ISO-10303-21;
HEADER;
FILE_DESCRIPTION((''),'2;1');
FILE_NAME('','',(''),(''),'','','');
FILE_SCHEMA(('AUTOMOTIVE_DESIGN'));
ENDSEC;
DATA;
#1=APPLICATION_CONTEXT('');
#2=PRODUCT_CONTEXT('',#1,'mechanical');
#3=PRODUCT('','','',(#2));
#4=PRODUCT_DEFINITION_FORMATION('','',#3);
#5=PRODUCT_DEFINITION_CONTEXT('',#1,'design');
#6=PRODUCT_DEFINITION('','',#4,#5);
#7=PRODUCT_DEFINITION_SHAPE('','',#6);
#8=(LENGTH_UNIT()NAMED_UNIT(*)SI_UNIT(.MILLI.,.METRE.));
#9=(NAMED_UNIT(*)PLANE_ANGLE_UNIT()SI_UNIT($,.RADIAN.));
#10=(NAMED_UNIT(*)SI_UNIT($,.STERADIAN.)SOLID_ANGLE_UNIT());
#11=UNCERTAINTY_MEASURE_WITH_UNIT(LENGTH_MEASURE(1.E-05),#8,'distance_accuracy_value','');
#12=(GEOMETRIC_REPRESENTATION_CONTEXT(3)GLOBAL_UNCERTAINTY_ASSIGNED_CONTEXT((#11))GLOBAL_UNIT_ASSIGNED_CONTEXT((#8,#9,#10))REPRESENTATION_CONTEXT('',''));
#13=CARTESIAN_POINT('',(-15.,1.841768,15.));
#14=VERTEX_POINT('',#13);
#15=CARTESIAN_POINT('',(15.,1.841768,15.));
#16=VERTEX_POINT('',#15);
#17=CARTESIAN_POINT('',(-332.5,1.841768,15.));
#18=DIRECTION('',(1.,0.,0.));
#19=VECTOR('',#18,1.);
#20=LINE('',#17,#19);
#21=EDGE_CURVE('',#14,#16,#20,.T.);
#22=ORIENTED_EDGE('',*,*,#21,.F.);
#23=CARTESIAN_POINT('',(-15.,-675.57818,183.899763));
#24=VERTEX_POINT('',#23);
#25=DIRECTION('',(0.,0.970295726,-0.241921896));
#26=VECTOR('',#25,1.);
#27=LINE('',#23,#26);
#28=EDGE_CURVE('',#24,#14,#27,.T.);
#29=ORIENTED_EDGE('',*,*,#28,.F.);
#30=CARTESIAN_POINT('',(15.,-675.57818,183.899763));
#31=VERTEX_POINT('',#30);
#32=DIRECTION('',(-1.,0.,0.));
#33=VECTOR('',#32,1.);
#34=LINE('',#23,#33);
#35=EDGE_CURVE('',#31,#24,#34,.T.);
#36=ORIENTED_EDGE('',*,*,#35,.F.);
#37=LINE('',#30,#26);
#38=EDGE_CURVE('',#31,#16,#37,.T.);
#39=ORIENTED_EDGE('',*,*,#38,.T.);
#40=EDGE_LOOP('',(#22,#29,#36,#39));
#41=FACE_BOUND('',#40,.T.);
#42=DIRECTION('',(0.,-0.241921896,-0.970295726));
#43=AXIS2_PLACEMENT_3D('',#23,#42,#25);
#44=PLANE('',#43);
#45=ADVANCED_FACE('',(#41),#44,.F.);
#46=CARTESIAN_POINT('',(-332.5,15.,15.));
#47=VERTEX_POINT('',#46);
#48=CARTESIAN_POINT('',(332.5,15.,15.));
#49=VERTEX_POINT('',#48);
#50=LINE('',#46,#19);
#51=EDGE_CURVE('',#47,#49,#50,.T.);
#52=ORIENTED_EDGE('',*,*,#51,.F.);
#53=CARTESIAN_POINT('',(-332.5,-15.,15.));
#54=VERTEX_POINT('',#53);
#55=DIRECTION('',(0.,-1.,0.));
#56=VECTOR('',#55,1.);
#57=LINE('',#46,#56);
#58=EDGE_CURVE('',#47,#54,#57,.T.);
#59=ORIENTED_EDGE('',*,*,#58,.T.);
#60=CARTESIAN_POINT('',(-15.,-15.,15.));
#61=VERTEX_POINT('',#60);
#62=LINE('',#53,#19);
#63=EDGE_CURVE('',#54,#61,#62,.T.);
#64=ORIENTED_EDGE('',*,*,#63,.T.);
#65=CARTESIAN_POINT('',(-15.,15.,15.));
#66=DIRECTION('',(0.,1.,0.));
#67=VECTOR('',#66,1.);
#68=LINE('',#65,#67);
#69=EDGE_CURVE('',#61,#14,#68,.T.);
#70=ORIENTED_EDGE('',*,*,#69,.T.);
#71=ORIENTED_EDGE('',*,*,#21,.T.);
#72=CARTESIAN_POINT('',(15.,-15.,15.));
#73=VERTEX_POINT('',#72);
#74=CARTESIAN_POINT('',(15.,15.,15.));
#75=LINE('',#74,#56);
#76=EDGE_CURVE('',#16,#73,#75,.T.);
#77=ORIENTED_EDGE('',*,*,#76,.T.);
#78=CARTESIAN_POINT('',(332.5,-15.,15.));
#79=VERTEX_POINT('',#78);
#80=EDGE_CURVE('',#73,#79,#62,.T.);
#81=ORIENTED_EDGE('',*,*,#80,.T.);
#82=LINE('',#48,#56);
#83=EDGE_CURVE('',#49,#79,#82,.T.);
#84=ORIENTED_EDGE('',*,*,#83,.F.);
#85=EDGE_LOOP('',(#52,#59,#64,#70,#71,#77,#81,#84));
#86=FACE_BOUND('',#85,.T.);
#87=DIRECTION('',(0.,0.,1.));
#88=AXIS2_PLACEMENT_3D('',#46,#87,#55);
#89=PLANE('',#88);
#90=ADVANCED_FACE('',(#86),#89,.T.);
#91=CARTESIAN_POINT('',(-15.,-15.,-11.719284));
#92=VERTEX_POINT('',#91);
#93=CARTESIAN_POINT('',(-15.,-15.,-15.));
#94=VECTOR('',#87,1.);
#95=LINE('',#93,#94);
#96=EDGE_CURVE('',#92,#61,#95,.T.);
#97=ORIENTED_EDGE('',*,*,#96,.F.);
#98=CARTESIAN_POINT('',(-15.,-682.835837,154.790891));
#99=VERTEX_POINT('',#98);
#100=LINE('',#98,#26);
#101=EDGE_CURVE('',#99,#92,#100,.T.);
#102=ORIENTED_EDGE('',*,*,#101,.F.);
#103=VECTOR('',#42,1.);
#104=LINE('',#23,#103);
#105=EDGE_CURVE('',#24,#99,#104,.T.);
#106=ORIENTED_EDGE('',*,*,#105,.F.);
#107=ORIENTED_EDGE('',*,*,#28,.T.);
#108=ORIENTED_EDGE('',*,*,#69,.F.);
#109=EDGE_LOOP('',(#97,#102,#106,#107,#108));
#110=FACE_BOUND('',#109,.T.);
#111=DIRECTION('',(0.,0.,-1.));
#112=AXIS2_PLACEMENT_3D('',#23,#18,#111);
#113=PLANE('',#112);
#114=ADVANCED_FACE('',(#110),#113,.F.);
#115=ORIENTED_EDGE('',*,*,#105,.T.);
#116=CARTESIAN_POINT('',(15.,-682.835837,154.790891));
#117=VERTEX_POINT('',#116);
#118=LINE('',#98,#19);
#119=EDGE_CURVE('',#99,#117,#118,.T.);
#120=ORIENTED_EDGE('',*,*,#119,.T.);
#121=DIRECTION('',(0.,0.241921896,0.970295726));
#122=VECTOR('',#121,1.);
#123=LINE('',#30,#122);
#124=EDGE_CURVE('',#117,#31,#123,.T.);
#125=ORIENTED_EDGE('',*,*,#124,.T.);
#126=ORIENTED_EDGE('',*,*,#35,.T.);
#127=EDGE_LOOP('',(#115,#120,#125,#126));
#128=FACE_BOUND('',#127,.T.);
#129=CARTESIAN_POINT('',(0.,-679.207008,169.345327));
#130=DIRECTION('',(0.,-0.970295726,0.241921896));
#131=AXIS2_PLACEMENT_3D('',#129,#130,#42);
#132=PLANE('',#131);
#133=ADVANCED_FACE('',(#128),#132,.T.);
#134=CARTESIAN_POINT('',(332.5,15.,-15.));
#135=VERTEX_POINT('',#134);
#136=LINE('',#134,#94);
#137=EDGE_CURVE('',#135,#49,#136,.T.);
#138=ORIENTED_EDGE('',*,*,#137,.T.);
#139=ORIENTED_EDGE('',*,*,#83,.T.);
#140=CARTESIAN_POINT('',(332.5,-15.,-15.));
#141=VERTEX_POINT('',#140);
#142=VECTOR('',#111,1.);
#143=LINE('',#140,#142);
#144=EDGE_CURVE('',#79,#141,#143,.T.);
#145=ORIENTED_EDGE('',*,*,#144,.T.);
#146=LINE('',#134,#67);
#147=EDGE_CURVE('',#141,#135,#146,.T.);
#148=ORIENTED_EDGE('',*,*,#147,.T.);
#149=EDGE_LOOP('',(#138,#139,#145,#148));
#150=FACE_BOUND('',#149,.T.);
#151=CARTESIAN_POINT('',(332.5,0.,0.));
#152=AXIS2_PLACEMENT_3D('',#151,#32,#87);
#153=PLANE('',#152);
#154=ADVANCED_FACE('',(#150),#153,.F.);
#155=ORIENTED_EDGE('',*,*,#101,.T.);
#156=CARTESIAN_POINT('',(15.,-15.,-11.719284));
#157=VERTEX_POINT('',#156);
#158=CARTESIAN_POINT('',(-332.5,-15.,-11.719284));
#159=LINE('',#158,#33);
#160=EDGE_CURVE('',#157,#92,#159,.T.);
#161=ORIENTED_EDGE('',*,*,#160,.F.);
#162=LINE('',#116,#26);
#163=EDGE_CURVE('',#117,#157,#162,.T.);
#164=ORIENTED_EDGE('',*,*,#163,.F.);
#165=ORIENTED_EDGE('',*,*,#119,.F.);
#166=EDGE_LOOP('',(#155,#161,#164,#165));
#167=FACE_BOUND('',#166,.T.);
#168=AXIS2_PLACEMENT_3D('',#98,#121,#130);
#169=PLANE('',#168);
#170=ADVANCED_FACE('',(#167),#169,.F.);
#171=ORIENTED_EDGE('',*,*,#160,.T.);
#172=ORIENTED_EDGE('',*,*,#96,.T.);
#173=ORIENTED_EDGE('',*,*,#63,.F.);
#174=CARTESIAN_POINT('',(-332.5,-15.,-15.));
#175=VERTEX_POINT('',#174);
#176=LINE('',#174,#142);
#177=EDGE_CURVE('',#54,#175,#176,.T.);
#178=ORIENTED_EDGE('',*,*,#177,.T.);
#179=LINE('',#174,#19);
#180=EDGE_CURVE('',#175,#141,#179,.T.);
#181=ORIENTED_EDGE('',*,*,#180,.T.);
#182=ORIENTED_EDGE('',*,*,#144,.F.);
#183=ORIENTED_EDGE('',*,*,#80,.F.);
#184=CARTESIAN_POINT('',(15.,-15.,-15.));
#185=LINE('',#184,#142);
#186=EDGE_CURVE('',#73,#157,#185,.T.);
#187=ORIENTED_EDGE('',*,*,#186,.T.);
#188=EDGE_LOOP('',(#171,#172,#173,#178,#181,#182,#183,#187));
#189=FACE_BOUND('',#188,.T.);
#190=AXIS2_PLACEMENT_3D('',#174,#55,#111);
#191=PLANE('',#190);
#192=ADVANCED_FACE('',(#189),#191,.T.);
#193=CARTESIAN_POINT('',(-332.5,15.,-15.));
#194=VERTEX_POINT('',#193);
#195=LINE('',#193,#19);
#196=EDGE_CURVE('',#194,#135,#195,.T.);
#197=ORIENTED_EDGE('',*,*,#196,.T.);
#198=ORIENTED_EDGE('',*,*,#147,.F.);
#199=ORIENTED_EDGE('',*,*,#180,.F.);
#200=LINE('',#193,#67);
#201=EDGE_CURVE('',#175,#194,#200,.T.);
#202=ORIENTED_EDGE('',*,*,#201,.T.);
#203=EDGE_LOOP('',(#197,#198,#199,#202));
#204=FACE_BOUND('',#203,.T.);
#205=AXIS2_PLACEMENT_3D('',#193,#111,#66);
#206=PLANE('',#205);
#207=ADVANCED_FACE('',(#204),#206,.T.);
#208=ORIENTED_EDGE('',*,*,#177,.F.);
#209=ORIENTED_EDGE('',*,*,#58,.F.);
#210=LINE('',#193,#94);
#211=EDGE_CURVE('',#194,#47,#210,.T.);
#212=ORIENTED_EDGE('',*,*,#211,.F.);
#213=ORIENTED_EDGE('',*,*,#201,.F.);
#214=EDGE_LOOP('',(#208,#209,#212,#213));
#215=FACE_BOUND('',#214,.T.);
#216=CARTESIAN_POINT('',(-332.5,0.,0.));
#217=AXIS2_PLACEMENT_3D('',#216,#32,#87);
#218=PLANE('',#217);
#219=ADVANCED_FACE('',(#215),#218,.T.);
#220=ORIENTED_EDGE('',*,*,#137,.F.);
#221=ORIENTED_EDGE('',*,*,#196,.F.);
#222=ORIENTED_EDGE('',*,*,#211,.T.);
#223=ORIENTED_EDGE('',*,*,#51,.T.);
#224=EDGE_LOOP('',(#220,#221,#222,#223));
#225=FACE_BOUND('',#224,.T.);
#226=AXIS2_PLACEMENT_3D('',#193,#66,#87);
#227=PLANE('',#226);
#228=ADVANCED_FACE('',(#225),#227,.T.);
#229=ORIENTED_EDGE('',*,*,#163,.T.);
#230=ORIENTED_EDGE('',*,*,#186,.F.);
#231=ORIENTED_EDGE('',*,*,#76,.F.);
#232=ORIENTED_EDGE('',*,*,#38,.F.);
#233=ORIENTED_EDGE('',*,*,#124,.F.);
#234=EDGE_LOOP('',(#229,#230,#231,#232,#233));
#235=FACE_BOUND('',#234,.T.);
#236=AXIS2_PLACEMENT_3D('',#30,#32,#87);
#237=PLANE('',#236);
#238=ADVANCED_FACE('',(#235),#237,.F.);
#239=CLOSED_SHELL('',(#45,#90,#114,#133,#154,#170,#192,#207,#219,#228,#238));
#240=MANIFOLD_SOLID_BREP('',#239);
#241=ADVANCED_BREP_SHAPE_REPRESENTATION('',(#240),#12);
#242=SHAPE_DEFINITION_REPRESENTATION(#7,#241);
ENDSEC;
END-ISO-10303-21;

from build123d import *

# Parameters (mm, degrees)
BOSS_EXTRUDE1_DEPTH      = 332.5
BOSS_EXTRUDE1_DEPTH_BACK = 332.5
SKETCH1_W                = 30
SKETCH1_H                = 30
SKETCH2_W                = 30
SKETCH2_H                = 30
BOSS_EXTRUDE2_DEPTH      = 700


with BuildPart() as part:
    # Sketch1 → Boss-Extrude1 (new, two sides: drawn at the far end of the back side and taken through both)
    with BuildSketch(Plane(origin=(0, 0, 0), x_dir=(0, 0, -1), z_dir=(1, 0, 0)).offset(-BOSS_EXTRUDE1_DEPTH_BACK)):
        Rectangle(SKETCH1_W, SKETCH1_H)
    extrude(amount=BOSS_EXTRUDE1_DEPTH + BOSS_EXTRUDE1_DEPTH_BACK)

    # Sketch2 → Boss-Extrude2 (add)
    with BuildSketch(Plane(origin=(0, 0, 0), x_dir=(-1, 0, 0), z_dir=(0, -0.9702957262759964, 0.24192189559966812))):
        Rectangle(SKETCH2_W, SKETCH2_H)
    extrude(amount=BOSS_EXTRUDE2_DEPTH)


solid = part.part
